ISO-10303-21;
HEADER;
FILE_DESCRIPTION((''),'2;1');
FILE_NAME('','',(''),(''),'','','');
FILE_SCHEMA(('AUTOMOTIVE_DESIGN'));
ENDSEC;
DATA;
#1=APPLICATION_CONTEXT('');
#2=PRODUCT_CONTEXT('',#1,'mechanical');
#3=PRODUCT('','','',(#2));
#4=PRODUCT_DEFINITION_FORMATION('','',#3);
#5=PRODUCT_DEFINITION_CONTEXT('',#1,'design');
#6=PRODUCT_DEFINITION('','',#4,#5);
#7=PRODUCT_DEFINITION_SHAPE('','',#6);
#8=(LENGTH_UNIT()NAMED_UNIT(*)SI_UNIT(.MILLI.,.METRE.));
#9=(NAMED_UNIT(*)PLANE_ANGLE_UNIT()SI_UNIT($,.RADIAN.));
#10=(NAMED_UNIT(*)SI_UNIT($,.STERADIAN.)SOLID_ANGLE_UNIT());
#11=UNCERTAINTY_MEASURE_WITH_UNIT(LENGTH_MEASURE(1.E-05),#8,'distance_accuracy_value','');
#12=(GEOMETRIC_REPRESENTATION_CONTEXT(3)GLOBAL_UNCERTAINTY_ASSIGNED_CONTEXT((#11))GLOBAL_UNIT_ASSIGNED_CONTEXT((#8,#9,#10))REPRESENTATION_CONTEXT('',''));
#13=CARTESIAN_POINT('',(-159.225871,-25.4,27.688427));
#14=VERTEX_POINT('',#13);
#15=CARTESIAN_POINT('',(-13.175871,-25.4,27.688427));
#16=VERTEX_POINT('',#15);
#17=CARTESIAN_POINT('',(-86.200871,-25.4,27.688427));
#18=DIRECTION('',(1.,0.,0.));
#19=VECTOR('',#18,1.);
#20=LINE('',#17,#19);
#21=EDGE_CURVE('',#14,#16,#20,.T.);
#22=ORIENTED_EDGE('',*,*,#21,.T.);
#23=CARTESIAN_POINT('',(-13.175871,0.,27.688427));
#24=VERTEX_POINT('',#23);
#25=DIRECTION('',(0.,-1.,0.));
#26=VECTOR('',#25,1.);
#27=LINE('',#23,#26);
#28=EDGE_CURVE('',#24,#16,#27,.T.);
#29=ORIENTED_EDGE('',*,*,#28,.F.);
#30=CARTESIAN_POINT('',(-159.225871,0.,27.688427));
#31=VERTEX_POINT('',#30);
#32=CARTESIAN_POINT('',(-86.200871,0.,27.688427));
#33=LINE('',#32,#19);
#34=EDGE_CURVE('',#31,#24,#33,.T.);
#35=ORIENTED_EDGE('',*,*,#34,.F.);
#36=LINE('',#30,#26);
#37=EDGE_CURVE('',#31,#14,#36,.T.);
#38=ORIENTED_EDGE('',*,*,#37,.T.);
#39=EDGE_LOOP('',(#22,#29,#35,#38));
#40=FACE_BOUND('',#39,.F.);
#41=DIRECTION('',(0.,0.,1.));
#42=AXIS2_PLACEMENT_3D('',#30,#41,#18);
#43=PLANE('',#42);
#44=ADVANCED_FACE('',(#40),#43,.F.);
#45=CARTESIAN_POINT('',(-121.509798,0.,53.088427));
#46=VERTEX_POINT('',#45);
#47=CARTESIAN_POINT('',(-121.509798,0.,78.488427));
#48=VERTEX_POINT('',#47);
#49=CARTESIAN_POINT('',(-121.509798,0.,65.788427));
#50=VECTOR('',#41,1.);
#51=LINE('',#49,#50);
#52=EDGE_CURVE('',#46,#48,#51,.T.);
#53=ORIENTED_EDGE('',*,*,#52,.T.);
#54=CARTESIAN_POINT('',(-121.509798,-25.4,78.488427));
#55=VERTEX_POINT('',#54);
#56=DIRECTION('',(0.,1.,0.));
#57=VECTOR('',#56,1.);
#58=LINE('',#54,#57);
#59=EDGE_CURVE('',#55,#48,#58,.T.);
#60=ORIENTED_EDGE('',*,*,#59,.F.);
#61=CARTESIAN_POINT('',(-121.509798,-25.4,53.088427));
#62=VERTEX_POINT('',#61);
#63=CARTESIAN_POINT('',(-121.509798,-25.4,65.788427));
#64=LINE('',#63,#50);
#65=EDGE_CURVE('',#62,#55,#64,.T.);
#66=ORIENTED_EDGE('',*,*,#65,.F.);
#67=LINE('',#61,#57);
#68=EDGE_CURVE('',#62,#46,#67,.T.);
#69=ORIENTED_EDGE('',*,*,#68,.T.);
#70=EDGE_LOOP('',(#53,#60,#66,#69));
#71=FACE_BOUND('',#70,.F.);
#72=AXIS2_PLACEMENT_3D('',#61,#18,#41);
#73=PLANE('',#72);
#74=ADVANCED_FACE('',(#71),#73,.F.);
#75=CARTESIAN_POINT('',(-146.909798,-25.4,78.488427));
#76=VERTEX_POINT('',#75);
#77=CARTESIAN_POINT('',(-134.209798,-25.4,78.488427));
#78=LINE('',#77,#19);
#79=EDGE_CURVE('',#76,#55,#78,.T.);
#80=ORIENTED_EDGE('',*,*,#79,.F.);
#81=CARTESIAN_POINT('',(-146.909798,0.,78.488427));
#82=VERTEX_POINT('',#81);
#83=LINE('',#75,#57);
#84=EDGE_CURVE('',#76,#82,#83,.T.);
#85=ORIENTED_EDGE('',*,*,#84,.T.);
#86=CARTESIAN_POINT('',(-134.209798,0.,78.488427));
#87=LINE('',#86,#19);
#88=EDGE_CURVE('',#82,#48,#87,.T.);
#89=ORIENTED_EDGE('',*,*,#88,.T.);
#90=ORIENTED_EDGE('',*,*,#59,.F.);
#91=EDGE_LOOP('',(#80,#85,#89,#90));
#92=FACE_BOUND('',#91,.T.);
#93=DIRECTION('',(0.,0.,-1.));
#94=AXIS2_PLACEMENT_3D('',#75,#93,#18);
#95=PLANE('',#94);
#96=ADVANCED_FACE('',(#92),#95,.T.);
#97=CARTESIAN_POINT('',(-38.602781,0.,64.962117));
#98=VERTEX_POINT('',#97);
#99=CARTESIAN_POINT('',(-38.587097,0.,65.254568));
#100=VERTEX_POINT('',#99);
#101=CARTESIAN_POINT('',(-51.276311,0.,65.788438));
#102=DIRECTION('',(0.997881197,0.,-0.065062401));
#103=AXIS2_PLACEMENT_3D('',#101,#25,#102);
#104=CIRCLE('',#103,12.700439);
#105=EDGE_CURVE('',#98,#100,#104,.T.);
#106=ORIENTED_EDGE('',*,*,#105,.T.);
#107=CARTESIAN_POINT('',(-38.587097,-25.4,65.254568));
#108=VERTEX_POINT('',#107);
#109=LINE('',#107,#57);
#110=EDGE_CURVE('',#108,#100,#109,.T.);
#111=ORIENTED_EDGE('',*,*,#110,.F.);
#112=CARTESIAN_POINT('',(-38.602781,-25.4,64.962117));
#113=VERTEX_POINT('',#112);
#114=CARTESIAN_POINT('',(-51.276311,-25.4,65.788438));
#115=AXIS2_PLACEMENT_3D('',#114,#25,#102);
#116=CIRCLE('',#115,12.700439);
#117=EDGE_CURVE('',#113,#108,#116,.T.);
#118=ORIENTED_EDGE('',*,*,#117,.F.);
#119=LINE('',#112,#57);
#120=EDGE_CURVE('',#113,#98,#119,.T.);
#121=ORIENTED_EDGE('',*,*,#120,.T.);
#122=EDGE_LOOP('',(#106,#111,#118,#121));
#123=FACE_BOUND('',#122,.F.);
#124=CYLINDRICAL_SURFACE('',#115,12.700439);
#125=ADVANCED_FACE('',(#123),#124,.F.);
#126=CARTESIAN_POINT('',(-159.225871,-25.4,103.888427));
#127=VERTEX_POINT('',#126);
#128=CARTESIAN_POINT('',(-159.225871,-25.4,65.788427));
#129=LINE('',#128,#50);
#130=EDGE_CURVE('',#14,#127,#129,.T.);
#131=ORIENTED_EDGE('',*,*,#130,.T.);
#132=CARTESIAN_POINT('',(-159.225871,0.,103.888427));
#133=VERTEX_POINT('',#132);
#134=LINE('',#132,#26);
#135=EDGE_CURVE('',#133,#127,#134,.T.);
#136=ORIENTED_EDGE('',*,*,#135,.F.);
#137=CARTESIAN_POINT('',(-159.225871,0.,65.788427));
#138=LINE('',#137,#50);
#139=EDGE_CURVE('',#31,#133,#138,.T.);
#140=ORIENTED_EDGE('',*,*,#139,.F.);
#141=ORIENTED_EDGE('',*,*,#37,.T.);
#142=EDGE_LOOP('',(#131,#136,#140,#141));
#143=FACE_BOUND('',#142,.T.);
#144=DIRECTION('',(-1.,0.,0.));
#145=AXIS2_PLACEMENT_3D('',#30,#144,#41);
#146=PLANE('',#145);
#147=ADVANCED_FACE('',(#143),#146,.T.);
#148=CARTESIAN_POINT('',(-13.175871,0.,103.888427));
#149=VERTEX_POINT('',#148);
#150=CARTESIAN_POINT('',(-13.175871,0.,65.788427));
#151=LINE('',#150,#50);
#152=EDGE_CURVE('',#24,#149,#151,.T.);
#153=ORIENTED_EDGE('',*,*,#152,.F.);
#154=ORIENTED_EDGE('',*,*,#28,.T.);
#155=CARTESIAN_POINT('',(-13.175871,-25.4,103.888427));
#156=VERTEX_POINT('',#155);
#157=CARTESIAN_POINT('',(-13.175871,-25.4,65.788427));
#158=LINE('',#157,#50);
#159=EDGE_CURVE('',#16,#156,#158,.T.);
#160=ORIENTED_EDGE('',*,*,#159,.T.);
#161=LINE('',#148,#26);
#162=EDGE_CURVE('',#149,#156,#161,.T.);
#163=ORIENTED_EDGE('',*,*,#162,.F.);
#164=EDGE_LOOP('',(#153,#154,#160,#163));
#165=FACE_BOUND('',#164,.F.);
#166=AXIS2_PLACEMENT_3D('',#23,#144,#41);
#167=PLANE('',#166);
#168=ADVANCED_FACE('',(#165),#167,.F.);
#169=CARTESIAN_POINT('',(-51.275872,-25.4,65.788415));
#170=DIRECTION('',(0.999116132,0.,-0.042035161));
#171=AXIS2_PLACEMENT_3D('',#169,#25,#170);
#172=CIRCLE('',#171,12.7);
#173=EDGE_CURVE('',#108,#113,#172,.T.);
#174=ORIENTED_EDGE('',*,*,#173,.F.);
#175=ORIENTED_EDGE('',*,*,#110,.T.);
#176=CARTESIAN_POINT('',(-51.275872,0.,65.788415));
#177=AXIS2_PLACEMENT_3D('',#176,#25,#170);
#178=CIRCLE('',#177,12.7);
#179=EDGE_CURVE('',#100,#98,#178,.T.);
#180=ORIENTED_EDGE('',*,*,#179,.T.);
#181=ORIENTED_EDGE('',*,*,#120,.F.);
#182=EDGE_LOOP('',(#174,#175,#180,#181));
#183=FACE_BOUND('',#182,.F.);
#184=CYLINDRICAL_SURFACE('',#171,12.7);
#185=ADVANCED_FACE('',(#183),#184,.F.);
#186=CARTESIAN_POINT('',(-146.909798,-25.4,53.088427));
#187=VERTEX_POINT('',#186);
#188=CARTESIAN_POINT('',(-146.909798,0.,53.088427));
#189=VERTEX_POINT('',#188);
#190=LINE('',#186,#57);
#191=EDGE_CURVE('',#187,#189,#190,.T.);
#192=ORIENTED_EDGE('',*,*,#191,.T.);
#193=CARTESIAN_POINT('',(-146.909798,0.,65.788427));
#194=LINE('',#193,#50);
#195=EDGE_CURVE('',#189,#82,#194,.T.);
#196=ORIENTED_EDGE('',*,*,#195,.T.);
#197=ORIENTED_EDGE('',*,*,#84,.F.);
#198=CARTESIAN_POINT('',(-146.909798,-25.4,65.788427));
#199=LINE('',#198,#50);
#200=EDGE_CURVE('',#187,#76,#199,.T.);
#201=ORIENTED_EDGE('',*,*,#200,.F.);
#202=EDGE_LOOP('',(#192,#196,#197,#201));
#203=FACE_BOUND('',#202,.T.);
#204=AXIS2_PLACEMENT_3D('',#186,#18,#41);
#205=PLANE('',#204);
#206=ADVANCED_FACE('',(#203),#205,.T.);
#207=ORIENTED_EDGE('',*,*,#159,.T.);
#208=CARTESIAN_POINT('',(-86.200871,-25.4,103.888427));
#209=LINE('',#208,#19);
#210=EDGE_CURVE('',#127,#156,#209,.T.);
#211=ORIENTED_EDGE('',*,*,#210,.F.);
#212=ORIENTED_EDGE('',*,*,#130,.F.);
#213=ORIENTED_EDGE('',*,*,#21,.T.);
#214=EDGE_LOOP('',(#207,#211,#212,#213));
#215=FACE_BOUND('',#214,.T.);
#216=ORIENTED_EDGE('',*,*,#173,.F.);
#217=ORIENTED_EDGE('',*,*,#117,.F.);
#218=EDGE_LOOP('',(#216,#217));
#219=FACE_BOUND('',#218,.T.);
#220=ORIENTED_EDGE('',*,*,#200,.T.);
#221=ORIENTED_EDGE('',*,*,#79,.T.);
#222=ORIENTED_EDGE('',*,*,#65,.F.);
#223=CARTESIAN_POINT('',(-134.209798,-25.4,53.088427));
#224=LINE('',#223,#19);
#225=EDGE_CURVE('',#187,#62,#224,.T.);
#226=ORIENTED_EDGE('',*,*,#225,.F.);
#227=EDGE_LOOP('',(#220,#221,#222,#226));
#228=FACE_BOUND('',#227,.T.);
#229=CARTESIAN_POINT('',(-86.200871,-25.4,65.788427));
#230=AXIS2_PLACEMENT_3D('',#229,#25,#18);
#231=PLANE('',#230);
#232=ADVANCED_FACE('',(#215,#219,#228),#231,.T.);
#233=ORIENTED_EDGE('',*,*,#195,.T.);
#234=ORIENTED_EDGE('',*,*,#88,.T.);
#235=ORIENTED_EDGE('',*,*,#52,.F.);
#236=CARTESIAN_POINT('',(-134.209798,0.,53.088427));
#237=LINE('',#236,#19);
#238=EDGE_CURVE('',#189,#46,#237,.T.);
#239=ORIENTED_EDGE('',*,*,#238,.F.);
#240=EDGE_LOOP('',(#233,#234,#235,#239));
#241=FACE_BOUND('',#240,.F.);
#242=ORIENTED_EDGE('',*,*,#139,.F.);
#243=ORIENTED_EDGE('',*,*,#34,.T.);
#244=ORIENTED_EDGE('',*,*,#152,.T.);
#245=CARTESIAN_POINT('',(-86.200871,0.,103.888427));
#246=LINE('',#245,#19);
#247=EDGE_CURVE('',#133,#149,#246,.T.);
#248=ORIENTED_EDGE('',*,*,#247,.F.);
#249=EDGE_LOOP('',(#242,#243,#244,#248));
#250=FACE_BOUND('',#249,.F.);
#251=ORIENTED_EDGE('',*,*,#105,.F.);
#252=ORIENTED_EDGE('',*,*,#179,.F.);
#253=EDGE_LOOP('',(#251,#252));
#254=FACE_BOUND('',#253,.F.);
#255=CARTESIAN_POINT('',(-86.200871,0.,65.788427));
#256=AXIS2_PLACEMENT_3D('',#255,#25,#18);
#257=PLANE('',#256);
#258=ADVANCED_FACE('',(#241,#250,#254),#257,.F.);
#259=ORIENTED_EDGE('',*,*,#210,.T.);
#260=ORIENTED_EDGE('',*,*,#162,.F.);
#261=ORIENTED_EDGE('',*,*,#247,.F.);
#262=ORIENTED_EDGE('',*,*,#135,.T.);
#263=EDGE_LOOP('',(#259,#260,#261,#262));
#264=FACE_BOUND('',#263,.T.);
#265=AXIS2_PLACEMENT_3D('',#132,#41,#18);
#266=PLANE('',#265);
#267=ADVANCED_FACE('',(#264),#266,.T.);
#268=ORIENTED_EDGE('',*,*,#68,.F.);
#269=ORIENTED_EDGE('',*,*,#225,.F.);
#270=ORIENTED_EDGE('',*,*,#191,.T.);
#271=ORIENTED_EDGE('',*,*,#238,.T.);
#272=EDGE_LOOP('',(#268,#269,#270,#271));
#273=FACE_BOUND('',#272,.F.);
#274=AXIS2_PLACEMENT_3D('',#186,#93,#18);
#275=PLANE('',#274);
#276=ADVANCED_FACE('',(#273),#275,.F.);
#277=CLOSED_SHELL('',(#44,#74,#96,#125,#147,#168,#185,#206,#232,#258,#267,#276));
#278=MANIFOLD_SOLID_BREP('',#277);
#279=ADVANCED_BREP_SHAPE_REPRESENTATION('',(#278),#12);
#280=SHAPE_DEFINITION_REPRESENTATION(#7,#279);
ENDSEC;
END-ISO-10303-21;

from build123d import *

# Parameters (mm, degrees)
F0_W     = 146.05
F0_H     = 76.2
F1_DEPTH = 25.4
F2_W     = 25.4
F2_H     = 25.4
F3_DEPTH = 25.4


with BuildPart() as f1:
    # F0 (on Front) → F1 (new body)
    with BuildSketch(Plane.XZ):
        with Locations((-86.200871, 65.788427)):
            Rectangle(F0_W, F0_H)
    extrude(amount=F1_DEPTH)

    # F2 (on face) → F3 (cut)
    with BuildSketch(Plane.XZ.offset(25.4)):
        with Locations((-134.209798, 65.788427)):
            Rectangle(F2_W, F2_H)
        with BuildLine():
            ThreePointArc((-38.602781, 64.962117), (-38.594096, 65.108297), (-38.587097, 65.254568))
            ThreePointArc((-38.587097, 65.254568), (-63.957646, 66.468556), (-38.602781, 64.962117))
        make_face()
    extrude(amount=-F3_DEPTH, mode=Mode.SUBTRACT)


solid = f1.part
